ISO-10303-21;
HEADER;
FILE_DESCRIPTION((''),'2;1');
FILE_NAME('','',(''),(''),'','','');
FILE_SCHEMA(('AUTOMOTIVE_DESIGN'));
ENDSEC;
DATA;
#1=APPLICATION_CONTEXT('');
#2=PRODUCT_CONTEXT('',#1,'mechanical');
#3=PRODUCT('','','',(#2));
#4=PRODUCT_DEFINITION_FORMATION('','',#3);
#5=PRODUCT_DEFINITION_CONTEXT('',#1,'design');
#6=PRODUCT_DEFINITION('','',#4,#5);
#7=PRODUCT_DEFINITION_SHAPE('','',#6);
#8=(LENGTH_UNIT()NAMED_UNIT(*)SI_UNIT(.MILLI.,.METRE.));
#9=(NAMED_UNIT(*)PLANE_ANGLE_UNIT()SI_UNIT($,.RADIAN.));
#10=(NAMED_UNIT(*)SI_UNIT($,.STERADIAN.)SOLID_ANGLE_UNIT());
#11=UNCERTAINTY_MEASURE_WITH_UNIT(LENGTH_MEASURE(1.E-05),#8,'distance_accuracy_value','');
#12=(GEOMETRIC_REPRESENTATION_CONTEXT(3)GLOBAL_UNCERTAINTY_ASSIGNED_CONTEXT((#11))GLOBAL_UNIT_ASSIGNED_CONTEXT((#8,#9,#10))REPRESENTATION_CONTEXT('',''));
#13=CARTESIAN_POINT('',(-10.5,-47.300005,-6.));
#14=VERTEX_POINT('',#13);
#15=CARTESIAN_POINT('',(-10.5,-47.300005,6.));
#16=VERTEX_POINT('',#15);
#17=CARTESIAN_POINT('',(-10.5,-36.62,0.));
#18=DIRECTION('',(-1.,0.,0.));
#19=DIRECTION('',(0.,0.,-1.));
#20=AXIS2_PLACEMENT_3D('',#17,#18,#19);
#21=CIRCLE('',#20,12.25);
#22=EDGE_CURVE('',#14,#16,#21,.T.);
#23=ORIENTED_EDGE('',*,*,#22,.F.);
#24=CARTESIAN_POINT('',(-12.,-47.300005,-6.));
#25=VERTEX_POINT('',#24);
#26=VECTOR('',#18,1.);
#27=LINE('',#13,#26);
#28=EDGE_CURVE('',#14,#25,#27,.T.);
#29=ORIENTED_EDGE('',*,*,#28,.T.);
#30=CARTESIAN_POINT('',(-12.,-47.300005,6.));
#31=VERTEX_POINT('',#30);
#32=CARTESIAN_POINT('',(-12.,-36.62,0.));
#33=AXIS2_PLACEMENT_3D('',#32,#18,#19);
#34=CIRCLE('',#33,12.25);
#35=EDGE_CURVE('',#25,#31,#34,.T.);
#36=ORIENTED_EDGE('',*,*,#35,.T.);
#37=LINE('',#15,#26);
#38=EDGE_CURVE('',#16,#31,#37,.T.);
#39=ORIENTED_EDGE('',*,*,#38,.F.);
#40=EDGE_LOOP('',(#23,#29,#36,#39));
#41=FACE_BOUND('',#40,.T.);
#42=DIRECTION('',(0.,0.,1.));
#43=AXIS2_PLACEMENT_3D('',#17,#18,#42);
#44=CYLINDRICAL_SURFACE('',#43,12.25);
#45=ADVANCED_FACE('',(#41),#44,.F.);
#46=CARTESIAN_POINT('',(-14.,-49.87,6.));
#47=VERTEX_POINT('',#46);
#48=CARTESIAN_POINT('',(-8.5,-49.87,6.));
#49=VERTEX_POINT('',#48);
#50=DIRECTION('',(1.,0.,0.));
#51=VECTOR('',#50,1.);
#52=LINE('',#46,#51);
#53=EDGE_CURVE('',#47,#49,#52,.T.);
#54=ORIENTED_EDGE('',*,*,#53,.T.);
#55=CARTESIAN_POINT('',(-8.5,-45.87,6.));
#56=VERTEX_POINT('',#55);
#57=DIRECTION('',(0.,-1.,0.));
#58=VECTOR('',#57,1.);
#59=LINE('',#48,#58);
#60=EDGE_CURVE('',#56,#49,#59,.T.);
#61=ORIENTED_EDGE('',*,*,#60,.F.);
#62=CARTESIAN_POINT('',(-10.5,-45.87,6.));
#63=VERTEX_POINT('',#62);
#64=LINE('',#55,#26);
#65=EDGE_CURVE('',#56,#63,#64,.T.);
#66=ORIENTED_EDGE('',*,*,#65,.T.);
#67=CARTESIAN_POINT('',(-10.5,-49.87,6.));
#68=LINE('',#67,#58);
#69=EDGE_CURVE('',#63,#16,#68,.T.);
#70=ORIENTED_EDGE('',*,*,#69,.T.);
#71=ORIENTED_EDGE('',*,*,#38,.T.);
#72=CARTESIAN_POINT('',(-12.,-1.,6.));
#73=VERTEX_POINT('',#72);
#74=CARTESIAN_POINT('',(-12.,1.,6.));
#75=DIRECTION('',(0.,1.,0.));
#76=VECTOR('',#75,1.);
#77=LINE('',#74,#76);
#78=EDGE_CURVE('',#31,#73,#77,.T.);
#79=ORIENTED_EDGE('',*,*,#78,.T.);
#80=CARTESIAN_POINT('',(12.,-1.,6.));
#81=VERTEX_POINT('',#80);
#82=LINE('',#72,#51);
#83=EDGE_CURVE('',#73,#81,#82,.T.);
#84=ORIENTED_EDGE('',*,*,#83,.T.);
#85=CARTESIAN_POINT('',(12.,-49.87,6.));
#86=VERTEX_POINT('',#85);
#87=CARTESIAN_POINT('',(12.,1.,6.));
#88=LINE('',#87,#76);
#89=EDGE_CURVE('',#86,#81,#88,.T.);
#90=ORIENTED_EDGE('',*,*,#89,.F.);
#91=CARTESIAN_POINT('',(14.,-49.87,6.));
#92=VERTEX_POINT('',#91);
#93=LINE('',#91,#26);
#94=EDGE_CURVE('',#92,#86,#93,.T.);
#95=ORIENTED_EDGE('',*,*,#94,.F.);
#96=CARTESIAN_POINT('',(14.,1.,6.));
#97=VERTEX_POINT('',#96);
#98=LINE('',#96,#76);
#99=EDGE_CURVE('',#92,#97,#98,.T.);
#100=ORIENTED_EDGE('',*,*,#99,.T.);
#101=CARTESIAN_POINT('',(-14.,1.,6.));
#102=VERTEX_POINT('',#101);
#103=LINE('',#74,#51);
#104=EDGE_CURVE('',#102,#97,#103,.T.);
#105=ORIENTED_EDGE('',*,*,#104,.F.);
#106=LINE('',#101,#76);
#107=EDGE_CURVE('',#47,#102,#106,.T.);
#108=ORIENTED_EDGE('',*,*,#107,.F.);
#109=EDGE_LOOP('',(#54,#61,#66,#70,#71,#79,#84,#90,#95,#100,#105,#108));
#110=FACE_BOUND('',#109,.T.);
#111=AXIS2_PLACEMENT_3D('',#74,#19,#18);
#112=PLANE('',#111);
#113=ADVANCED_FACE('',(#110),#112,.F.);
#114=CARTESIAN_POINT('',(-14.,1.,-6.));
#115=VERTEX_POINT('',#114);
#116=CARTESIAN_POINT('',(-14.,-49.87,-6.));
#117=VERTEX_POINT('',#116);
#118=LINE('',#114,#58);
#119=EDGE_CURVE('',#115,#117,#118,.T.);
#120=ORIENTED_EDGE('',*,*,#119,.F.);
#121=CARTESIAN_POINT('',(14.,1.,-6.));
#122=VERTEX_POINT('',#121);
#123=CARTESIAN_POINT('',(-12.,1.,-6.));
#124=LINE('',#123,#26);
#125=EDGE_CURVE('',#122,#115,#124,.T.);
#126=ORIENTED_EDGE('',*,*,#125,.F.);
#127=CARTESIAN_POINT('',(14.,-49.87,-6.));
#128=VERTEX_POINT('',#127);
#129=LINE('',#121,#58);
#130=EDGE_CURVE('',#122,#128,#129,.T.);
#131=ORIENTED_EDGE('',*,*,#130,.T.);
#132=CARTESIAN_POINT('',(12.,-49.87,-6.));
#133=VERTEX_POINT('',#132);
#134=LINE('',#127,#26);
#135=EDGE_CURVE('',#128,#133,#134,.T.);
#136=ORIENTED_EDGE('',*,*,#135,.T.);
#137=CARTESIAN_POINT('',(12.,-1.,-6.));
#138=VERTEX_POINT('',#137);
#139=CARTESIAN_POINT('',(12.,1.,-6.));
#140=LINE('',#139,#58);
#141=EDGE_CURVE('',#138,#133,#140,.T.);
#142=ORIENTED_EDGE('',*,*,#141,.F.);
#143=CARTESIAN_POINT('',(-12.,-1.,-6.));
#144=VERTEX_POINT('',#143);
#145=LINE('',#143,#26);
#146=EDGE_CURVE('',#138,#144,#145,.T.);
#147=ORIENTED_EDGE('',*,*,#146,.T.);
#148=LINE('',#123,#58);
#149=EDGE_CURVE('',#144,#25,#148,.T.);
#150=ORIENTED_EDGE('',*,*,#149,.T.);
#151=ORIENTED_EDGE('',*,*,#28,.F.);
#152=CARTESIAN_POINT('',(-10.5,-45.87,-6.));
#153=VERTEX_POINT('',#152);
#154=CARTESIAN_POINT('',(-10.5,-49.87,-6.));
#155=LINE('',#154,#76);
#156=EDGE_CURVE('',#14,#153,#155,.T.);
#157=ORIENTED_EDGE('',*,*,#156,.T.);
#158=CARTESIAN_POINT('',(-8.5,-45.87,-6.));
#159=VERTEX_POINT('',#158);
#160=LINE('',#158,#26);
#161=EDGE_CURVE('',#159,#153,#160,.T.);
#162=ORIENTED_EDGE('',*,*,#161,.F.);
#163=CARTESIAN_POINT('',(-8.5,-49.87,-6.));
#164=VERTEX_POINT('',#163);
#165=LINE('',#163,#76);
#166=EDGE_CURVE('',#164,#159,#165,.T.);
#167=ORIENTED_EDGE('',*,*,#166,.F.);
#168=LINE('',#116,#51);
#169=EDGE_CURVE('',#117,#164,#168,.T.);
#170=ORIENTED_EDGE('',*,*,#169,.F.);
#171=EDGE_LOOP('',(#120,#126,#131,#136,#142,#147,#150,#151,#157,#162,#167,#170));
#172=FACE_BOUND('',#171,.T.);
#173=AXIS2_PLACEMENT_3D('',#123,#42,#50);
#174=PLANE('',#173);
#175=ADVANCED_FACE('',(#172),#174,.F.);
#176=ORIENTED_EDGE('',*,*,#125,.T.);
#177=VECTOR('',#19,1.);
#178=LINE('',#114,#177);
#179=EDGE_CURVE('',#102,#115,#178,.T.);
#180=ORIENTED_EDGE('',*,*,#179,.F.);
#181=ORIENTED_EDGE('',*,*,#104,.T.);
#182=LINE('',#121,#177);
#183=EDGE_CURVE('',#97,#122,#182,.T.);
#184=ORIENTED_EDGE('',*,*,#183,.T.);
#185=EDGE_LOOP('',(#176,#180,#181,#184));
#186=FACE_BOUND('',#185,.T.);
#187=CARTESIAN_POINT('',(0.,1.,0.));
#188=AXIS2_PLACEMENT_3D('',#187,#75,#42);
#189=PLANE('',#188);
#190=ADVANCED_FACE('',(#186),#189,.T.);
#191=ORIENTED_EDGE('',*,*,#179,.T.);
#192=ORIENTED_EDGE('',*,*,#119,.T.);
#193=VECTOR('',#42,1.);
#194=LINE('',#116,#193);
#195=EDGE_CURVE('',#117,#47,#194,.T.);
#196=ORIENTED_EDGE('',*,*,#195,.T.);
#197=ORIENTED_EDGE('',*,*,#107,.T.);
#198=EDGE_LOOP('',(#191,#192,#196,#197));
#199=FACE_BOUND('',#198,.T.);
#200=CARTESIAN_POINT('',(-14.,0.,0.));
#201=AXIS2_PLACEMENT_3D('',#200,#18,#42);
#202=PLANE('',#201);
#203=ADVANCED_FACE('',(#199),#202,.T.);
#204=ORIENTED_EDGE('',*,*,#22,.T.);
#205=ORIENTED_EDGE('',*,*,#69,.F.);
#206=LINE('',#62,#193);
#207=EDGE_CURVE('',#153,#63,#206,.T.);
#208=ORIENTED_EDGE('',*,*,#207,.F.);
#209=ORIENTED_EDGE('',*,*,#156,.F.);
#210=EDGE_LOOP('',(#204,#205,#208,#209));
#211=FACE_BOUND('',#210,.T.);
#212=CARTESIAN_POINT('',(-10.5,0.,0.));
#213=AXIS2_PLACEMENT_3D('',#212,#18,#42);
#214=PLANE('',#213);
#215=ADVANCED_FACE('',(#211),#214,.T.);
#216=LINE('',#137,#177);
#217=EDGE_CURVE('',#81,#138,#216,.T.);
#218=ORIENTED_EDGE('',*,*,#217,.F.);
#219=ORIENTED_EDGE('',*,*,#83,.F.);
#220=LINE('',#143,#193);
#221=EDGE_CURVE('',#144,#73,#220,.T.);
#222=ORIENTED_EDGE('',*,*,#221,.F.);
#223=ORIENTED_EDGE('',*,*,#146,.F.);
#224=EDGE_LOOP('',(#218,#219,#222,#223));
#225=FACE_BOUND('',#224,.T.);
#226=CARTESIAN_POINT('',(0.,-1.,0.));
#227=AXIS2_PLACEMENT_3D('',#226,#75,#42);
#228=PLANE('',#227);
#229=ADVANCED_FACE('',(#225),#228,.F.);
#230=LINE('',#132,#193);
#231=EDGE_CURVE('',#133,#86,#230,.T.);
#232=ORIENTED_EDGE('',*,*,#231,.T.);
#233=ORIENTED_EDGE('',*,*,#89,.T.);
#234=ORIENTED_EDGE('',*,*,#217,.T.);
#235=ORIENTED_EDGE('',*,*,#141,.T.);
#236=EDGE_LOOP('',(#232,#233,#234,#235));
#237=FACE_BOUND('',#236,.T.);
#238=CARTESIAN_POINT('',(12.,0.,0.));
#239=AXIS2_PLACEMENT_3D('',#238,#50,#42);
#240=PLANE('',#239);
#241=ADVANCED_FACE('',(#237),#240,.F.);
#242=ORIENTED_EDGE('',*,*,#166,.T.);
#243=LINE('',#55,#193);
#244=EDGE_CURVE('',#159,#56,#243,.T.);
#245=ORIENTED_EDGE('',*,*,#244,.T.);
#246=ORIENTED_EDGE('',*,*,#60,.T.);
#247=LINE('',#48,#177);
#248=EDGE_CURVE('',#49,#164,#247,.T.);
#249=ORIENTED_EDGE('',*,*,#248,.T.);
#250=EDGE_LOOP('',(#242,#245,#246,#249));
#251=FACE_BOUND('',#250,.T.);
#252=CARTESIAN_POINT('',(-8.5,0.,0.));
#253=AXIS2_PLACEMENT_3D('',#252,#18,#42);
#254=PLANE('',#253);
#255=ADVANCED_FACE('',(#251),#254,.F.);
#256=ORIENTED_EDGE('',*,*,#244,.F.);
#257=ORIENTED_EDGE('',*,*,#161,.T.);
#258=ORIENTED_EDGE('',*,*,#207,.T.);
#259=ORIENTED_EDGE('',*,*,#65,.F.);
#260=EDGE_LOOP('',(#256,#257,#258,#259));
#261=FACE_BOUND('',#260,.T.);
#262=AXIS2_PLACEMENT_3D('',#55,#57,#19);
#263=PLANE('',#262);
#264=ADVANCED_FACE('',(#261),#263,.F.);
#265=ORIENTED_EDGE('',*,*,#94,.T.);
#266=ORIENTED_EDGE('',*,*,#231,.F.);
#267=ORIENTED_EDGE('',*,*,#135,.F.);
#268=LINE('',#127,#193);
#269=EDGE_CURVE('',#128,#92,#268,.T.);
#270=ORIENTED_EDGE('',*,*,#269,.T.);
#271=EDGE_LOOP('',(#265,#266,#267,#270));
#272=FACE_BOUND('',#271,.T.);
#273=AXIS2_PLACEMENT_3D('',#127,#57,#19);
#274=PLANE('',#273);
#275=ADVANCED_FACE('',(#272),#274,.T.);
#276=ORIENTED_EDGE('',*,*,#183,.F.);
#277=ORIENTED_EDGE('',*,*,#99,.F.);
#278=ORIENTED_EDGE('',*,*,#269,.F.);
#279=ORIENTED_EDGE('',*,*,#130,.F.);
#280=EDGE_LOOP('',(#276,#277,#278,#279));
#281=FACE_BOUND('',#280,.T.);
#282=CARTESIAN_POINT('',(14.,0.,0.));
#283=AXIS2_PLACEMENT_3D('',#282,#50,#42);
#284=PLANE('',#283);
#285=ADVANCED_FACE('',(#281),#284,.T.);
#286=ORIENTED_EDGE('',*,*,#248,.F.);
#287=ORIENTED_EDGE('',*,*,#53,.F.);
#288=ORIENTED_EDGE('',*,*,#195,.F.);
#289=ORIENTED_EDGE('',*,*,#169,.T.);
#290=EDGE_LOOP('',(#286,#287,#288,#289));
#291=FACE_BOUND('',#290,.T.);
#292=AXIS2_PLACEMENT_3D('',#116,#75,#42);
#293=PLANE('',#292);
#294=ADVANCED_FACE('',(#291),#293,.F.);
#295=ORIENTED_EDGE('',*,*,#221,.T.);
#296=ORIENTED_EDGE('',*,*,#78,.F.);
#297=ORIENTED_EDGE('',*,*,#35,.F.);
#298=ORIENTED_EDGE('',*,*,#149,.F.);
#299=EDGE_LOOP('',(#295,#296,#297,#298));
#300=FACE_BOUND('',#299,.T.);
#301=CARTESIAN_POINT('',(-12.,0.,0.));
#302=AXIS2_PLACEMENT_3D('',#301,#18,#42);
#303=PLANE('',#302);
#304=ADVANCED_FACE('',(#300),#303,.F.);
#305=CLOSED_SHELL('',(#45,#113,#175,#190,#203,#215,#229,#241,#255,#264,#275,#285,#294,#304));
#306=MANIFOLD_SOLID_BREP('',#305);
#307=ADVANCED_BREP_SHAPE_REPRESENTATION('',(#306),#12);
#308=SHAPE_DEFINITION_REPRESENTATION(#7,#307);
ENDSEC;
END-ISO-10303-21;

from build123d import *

# Parameters (mm, degrees)
SKETCH1_W           = 24
SKETCH1_H           = 12
BOSS_EXTRUDE1_DEPTH = 1
SKETCH2_W           = 12
SKETCH2_H           = 50.87
BOSS_EXTRUDE2_DEPTH = 2
BOSS_EXTRUDE3_DEPTH = 1.5
SKETCH5_W           = 12
SKETCH5_H           = 4
BOSS_EXTRUDE4_DEPTH = 2


with BuildPart() as part:
    # Sketch1 → Boss-Extrude1 (new, symmetric)
    with BuildSketch(Plane(origin=(0, 0, 0), x_dir=(1, 0, 0), z_dir=(0, 1, 0))):
        Rectangle(SKETCH1_W, SKETCH1_H)
    extrude(amount=BOSS_EXTRUDE1_DEPTH, both=True)

    # Sketch2 → Boss-Extrude2 (add)
    with BuildSketch(Plane.ZY.offset(12)):
        with Locations((0, -24.435)):
            Rectangle(SKETCH2_W, SKETCH2_H)
    boss_extrude2 = extrude(amount=BOSS_EXTRUDE2_DEPTH)

    # Mirror1: Boss-Extrude2 across plane
    add(boss_extrude2.mirror(Plane(origin=(0, 0, 0), x_dir=(0, 0, 1), z_dir=(1, 0, 0))))

    # Sketch4 → Boss-Extrude3 (add)
    with BuildSketch(Plane(origin=(-12, 0, 0), x_dir=(0, 0, -1), z_dir=(1, 0, 0))):
        with BuildLine():
            Line((-6, -47.300004682), (-6, -49.87))
            Line((-6, -49.87), (6, -49.87))
            Line((6, -49.87), (6, -47.300004682))
            ThreePointArc((6, -47.300004682), (0, -48.87), (-6, -47.300004682))
        make_face()
    extrude(amount=BOSS_EXTRUDE3_DEPTH)

    # Sketch5 → Boss-Extrude4 (add)
    with BuildSketch(Plane(origin=(-10.5, 0, 0), x_dir=(0, 0, -1), z_dir=(1, 0, 0))):
        with Locations((0, -47.87)):
            Rectangle(SKETCH5_W, SKETCH5_H)
    extrude(amount=BOSS_EXTRUDE4_DEPTH)


solid = part.part
